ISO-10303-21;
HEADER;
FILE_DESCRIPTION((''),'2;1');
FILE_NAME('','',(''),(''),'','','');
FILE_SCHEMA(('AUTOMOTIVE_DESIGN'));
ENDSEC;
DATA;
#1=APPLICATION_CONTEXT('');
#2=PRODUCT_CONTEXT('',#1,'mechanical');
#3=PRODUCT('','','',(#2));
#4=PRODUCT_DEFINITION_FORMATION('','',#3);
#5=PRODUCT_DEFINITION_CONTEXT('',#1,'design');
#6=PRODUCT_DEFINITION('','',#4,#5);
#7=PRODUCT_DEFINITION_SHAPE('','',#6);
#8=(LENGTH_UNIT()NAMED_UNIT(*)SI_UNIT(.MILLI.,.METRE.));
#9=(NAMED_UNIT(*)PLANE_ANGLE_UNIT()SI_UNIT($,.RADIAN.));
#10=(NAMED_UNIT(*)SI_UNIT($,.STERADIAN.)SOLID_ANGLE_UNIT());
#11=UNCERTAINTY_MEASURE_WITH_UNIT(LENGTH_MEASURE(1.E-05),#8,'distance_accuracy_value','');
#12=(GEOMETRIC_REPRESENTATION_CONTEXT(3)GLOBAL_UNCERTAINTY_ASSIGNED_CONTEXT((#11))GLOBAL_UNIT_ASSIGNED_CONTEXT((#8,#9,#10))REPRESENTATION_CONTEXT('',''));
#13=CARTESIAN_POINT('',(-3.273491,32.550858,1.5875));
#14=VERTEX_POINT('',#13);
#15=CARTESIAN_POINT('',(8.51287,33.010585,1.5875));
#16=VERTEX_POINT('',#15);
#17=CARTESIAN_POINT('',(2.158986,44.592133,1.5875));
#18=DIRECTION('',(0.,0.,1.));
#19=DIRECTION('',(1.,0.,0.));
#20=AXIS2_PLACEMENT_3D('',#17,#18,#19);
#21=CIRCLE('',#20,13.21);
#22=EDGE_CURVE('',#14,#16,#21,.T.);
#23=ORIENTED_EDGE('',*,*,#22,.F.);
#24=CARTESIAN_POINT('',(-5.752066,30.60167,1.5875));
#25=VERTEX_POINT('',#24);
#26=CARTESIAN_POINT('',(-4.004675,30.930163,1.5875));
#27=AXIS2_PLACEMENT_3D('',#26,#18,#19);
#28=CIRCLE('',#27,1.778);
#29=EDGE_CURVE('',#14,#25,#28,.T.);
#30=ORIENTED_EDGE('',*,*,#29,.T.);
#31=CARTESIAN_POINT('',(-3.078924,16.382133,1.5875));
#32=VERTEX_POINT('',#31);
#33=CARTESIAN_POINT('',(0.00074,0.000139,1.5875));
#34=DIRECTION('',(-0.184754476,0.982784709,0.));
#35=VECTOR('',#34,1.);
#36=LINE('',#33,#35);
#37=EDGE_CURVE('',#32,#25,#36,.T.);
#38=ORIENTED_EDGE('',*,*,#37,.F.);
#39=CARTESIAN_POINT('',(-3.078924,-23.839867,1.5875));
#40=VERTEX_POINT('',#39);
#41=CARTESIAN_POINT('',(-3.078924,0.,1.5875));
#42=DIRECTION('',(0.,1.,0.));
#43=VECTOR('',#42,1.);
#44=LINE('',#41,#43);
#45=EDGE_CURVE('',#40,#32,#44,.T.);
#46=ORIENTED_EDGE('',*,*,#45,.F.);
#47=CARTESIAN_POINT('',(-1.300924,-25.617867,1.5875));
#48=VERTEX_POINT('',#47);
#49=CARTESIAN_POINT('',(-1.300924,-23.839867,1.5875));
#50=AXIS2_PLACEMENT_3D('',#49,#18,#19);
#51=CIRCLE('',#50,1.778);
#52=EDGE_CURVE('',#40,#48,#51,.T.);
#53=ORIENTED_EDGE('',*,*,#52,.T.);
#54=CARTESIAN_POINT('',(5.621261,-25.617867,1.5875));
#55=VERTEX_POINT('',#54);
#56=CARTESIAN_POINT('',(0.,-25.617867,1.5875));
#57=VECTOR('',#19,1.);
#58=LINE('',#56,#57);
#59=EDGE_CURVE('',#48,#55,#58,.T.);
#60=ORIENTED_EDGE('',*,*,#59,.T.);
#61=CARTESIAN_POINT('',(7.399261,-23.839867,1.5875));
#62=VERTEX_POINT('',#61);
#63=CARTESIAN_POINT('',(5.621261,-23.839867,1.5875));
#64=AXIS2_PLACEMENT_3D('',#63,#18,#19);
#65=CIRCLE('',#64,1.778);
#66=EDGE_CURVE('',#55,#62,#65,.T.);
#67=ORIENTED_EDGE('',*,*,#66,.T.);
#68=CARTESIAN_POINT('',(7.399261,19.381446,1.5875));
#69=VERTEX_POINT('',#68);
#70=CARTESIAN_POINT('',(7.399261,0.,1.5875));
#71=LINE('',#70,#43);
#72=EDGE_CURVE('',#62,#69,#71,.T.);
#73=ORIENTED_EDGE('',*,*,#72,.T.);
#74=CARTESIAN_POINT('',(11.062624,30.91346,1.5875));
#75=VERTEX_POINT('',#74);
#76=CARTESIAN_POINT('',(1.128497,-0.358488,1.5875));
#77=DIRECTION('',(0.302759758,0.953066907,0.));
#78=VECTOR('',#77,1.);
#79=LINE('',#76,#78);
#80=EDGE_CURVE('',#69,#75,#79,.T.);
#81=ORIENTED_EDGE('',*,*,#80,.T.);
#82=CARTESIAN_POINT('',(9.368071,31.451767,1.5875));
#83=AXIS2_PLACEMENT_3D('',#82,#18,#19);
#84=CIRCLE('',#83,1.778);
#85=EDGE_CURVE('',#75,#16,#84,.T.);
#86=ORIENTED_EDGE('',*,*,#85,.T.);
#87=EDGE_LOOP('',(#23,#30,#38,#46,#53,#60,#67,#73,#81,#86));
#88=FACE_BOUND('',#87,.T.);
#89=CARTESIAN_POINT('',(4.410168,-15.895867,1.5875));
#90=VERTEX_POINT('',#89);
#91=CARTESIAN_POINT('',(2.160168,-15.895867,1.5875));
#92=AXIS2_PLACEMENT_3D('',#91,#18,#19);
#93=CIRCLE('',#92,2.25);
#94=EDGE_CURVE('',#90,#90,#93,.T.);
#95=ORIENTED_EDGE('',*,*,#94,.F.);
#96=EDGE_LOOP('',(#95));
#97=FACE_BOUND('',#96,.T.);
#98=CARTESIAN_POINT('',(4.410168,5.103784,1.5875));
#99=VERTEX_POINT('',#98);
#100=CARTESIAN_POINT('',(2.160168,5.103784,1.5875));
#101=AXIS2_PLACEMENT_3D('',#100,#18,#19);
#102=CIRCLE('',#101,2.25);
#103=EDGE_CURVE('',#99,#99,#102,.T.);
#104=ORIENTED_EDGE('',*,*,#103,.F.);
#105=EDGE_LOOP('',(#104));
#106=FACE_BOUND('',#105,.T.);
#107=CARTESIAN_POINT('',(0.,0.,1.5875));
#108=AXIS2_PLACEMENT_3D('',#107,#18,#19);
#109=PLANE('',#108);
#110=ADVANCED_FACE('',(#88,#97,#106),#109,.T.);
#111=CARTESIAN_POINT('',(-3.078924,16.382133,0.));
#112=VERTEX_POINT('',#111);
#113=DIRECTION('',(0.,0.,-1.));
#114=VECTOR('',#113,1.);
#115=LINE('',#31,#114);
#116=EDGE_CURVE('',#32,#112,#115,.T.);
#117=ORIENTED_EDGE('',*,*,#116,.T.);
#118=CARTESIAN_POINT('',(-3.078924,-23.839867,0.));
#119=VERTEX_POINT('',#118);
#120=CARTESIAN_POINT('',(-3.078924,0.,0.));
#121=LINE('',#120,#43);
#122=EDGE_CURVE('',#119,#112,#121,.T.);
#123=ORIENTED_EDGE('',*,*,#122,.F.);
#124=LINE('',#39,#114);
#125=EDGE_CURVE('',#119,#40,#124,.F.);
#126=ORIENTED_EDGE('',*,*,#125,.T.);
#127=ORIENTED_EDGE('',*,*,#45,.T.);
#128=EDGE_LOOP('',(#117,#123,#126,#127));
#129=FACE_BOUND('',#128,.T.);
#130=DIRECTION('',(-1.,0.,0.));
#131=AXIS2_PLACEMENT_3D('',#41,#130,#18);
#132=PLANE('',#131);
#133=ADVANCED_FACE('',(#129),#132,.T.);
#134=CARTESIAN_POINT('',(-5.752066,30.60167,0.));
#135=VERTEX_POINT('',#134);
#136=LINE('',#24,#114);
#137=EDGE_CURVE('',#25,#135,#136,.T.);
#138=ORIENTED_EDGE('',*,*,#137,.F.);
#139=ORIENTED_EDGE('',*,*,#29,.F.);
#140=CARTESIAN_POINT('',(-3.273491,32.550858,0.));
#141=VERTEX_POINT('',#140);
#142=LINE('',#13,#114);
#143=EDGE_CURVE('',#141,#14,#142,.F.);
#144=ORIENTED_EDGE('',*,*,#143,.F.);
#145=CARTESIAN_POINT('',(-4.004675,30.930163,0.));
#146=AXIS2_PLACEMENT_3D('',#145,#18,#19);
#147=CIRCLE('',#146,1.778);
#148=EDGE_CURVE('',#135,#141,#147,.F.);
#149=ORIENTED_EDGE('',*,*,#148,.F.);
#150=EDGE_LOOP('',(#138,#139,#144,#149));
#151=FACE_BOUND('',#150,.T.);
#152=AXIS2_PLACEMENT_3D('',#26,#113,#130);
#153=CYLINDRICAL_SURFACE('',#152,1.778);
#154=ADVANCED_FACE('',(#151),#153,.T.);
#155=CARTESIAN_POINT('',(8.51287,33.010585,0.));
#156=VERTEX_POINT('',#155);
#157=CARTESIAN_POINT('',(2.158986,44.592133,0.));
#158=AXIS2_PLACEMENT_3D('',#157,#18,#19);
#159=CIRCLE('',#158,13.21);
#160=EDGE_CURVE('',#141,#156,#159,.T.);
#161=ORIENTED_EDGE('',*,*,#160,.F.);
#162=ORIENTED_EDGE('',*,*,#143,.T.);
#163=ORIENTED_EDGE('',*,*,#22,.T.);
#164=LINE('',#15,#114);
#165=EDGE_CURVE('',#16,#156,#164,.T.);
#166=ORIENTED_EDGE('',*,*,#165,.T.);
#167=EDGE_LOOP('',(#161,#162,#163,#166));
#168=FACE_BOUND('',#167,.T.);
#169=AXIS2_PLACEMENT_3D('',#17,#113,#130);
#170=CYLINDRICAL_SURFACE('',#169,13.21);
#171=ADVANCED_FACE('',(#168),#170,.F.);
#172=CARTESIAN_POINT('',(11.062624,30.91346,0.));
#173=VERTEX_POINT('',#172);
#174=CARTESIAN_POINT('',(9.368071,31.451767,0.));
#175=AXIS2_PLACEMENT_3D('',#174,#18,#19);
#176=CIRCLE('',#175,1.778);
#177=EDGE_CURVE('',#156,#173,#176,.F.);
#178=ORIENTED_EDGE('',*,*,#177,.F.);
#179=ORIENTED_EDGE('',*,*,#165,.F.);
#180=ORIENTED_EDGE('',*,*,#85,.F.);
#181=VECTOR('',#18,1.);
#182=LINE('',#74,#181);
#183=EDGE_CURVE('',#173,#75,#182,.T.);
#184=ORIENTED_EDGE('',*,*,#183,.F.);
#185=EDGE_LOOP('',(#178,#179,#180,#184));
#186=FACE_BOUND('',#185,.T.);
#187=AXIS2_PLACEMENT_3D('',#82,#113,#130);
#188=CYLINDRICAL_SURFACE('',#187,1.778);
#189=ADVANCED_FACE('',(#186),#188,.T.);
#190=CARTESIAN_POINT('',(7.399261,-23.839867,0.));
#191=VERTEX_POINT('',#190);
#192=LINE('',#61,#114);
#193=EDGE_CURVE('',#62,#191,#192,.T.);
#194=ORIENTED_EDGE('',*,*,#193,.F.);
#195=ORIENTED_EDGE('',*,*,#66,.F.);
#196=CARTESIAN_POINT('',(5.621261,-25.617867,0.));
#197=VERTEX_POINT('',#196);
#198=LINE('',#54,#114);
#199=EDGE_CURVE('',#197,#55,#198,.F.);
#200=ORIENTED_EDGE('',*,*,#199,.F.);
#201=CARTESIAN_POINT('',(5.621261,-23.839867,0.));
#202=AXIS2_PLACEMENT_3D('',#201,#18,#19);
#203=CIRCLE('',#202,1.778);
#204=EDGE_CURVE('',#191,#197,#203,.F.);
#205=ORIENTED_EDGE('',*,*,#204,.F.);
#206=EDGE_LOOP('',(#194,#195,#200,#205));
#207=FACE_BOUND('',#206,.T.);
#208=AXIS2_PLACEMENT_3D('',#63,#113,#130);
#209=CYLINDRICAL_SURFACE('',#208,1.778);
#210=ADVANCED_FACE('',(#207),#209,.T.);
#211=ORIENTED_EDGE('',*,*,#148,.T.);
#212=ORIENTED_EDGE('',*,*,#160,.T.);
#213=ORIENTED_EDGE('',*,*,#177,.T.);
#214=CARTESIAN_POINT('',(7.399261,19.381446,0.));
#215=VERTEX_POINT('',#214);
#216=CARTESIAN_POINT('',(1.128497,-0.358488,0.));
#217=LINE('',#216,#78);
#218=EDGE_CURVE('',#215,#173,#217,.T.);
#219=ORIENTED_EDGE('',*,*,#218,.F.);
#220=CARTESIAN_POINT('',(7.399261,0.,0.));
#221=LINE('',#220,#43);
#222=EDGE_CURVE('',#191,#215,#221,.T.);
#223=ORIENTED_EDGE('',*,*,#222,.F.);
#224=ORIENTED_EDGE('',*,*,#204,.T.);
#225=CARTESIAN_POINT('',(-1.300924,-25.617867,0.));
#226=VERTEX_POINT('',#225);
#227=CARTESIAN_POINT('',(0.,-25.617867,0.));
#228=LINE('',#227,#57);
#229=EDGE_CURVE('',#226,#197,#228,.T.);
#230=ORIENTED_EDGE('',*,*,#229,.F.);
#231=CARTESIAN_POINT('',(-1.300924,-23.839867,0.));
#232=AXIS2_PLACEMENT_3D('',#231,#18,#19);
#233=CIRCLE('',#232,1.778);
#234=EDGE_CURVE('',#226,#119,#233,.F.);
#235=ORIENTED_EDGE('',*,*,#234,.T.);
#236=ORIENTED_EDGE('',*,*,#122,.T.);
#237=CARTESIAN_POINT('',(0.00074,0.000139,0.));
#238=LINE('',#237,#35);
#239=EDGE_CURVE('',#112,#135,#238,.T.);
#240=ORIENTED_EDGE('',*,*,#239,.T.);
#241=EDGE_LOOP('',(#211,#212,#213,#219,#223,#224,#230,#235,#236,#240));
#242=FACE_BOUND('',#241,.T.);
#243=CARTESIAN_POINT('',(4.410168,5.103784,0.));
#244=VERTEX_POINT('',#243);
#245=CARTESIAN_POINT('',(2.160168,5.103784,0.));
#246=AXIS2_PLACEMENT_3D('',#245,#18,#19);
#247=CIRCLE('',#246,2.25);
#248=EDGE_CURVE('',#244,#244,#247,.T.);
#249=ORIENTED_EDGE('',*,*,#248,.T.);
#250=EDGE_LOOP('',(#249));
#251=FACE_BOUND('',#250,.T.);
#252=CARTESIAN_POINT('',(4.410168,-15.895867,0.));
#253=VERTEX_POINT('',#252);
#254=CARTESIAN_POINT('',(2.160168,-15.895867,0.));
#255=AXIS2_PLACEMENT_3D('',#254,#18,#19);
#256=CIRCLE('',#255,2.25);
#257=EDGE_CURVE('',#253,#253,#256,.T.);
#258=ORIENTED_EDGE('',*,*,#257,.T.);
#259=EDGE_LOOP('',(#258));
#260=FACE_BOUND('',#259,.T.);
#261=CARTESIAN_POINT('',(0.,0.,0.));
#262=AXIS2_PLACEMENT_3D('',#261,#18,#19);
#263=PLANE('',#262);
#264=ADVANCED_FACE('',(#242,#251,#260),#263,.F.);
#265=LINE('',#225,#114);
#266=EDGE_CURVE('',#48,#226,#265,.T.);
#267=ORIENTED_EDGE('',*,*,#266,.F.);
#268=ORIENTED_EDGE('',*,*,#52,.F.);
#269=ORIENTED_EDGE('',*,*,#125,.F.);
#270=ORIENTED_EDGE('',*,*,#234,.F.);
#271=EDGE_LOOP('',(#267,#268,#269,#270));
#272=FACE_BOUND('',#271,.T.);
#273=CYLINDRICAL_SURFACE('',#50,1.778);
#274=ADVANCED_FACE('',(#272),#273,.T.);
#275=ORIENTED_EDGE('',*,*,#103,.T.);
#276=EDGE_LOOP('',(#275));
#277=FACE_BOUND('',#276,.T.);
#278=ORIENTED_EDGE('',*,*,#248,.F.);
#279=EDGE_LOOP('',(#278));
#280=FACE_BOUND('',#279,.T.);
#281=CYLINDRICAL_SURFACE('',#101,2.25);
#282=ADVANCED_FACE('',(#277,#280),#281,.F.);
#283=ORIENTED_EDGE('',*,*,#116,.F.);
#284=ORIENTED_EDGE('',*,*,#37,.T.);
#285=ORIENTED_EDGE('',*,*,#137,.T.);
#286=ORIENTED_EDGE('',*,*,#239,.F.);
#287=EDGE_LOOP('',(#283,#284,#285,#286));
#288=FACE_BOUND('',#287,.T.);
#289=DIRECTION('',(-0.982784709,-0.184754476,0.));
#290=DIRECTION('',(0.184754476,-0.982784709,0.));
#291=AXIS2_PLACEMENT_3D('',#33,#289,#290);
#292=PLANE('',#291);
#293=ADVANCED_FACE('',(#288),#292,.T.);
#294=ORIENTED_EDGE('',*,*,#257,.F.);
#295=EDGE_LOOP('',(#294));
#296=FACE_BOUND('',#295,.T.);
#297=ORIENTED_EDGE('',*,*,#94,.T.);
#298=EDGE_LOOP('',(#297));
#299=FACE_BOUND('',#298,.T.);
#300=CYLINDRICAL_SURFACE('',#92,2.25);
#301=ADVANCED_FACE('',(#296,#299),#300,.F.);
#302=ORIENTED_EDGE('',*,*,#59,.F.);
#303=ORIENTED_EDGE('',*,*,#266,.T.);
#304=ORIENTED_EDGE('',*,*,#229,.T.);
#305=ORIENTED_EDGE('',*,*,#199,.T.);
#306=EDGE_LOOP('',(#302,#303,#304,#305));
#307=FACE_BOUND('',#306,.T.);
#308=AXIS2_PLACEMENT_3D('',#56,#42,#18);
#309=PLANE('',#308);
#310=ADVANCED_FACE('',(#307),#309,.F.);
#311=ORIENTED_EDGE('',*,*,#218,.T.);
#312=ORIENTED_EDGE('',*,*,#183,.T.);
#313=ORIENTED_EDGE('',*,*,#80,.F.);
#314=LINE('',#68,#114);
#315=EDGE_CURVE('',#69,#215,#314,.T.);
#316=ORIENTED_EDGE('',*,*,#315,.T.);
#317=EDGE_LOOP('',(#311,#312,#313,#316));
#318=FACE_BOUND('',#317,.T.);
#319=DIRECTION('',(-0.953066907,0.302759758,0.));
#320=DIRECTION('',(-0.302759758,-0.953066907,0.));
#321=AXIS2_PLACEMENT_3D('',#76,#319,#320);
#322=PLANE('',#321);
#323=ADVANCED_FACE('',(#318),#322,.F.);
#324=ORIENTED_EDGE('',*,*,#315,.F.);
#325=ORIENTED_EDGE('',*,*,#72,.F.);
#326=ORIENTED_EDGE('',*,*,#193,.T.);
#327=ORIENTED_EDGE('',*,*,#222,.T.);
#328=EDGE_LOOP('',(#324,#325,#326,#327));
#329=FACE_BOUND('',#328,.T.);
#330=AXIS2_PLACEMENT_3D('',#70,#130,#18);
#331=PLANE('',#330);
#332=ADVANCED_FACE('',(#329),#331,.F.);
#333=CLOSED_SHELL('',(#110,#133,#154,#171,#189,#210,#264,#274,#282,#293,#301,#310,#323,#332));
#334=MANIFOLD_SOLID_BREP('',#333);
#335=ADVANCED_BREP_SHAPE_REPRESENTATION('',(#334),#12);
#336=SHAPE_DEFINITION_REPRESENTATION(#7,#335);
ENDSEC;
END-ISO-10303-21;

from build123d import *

# Parameters (mm, degrees)
BOSS_EXTRUDE1_DEPTH  = 1.5875
FILLET2_R            = 1.778
M4_CLEARANCE_HOLE2_D = 4.5


with BuildPart() as part:
    # Sketch1 → Boss-Extrude1 (new body)
    with BuildSketch(Plane.XY):
        with BuildLine():
            Line((-3.078924099, 16.382133449), (-3.078924099, -25.617866551))
            Line((-3.078924099, -25.617866551), (2.159951047, -25.617866551))
            Line((2.159951047, -25.617866551), (7.399260817, -25.617866551))
            Line((7.399260817, -25.617866551), (7.399260817, 4.381445812))
            Line((7.399260817, 4.381445812), (7.399260817, 19.381445781))
            Line((7.399260817, 19.381445781), (13.018541309, 37.070554481))
            ThreePointArc((13.018541309, 37.070554481), (3.802061978, 31.484715671), (-6.508003397, 34.622810382))
            Line((-6.508003397, 34.622810382), (-3.078924099, 16.382133449))
        make_face()
    extrude(amount=BOSS_EXTRUDE1_DEPTH)

    # Fillet2
    fillet2_edges = [part.edges().sort_by_distance(p)[0] for p in [
        (-3.078924099, -25.617866551, 0.79375),
        (-6.508003397, 34.622810382, 0.79375),
        (13.018541309, 37.070554481, 0.79375),
        (7.399260817, -25.617866551, 0.79375),
    ]]
    fillet(fillet2_edges, radius=FILLET2_R)

    # M4 Clearance Hole2 (through all)
    with Locations(Plane.XY.offset(1.5875)):
        with Locations((2.160168359, 5.103784263), (2.160168359, -15.895866551)):
            Hole(M4_CLEARANCE_HOLE2_D / 2)


solid = part.part
